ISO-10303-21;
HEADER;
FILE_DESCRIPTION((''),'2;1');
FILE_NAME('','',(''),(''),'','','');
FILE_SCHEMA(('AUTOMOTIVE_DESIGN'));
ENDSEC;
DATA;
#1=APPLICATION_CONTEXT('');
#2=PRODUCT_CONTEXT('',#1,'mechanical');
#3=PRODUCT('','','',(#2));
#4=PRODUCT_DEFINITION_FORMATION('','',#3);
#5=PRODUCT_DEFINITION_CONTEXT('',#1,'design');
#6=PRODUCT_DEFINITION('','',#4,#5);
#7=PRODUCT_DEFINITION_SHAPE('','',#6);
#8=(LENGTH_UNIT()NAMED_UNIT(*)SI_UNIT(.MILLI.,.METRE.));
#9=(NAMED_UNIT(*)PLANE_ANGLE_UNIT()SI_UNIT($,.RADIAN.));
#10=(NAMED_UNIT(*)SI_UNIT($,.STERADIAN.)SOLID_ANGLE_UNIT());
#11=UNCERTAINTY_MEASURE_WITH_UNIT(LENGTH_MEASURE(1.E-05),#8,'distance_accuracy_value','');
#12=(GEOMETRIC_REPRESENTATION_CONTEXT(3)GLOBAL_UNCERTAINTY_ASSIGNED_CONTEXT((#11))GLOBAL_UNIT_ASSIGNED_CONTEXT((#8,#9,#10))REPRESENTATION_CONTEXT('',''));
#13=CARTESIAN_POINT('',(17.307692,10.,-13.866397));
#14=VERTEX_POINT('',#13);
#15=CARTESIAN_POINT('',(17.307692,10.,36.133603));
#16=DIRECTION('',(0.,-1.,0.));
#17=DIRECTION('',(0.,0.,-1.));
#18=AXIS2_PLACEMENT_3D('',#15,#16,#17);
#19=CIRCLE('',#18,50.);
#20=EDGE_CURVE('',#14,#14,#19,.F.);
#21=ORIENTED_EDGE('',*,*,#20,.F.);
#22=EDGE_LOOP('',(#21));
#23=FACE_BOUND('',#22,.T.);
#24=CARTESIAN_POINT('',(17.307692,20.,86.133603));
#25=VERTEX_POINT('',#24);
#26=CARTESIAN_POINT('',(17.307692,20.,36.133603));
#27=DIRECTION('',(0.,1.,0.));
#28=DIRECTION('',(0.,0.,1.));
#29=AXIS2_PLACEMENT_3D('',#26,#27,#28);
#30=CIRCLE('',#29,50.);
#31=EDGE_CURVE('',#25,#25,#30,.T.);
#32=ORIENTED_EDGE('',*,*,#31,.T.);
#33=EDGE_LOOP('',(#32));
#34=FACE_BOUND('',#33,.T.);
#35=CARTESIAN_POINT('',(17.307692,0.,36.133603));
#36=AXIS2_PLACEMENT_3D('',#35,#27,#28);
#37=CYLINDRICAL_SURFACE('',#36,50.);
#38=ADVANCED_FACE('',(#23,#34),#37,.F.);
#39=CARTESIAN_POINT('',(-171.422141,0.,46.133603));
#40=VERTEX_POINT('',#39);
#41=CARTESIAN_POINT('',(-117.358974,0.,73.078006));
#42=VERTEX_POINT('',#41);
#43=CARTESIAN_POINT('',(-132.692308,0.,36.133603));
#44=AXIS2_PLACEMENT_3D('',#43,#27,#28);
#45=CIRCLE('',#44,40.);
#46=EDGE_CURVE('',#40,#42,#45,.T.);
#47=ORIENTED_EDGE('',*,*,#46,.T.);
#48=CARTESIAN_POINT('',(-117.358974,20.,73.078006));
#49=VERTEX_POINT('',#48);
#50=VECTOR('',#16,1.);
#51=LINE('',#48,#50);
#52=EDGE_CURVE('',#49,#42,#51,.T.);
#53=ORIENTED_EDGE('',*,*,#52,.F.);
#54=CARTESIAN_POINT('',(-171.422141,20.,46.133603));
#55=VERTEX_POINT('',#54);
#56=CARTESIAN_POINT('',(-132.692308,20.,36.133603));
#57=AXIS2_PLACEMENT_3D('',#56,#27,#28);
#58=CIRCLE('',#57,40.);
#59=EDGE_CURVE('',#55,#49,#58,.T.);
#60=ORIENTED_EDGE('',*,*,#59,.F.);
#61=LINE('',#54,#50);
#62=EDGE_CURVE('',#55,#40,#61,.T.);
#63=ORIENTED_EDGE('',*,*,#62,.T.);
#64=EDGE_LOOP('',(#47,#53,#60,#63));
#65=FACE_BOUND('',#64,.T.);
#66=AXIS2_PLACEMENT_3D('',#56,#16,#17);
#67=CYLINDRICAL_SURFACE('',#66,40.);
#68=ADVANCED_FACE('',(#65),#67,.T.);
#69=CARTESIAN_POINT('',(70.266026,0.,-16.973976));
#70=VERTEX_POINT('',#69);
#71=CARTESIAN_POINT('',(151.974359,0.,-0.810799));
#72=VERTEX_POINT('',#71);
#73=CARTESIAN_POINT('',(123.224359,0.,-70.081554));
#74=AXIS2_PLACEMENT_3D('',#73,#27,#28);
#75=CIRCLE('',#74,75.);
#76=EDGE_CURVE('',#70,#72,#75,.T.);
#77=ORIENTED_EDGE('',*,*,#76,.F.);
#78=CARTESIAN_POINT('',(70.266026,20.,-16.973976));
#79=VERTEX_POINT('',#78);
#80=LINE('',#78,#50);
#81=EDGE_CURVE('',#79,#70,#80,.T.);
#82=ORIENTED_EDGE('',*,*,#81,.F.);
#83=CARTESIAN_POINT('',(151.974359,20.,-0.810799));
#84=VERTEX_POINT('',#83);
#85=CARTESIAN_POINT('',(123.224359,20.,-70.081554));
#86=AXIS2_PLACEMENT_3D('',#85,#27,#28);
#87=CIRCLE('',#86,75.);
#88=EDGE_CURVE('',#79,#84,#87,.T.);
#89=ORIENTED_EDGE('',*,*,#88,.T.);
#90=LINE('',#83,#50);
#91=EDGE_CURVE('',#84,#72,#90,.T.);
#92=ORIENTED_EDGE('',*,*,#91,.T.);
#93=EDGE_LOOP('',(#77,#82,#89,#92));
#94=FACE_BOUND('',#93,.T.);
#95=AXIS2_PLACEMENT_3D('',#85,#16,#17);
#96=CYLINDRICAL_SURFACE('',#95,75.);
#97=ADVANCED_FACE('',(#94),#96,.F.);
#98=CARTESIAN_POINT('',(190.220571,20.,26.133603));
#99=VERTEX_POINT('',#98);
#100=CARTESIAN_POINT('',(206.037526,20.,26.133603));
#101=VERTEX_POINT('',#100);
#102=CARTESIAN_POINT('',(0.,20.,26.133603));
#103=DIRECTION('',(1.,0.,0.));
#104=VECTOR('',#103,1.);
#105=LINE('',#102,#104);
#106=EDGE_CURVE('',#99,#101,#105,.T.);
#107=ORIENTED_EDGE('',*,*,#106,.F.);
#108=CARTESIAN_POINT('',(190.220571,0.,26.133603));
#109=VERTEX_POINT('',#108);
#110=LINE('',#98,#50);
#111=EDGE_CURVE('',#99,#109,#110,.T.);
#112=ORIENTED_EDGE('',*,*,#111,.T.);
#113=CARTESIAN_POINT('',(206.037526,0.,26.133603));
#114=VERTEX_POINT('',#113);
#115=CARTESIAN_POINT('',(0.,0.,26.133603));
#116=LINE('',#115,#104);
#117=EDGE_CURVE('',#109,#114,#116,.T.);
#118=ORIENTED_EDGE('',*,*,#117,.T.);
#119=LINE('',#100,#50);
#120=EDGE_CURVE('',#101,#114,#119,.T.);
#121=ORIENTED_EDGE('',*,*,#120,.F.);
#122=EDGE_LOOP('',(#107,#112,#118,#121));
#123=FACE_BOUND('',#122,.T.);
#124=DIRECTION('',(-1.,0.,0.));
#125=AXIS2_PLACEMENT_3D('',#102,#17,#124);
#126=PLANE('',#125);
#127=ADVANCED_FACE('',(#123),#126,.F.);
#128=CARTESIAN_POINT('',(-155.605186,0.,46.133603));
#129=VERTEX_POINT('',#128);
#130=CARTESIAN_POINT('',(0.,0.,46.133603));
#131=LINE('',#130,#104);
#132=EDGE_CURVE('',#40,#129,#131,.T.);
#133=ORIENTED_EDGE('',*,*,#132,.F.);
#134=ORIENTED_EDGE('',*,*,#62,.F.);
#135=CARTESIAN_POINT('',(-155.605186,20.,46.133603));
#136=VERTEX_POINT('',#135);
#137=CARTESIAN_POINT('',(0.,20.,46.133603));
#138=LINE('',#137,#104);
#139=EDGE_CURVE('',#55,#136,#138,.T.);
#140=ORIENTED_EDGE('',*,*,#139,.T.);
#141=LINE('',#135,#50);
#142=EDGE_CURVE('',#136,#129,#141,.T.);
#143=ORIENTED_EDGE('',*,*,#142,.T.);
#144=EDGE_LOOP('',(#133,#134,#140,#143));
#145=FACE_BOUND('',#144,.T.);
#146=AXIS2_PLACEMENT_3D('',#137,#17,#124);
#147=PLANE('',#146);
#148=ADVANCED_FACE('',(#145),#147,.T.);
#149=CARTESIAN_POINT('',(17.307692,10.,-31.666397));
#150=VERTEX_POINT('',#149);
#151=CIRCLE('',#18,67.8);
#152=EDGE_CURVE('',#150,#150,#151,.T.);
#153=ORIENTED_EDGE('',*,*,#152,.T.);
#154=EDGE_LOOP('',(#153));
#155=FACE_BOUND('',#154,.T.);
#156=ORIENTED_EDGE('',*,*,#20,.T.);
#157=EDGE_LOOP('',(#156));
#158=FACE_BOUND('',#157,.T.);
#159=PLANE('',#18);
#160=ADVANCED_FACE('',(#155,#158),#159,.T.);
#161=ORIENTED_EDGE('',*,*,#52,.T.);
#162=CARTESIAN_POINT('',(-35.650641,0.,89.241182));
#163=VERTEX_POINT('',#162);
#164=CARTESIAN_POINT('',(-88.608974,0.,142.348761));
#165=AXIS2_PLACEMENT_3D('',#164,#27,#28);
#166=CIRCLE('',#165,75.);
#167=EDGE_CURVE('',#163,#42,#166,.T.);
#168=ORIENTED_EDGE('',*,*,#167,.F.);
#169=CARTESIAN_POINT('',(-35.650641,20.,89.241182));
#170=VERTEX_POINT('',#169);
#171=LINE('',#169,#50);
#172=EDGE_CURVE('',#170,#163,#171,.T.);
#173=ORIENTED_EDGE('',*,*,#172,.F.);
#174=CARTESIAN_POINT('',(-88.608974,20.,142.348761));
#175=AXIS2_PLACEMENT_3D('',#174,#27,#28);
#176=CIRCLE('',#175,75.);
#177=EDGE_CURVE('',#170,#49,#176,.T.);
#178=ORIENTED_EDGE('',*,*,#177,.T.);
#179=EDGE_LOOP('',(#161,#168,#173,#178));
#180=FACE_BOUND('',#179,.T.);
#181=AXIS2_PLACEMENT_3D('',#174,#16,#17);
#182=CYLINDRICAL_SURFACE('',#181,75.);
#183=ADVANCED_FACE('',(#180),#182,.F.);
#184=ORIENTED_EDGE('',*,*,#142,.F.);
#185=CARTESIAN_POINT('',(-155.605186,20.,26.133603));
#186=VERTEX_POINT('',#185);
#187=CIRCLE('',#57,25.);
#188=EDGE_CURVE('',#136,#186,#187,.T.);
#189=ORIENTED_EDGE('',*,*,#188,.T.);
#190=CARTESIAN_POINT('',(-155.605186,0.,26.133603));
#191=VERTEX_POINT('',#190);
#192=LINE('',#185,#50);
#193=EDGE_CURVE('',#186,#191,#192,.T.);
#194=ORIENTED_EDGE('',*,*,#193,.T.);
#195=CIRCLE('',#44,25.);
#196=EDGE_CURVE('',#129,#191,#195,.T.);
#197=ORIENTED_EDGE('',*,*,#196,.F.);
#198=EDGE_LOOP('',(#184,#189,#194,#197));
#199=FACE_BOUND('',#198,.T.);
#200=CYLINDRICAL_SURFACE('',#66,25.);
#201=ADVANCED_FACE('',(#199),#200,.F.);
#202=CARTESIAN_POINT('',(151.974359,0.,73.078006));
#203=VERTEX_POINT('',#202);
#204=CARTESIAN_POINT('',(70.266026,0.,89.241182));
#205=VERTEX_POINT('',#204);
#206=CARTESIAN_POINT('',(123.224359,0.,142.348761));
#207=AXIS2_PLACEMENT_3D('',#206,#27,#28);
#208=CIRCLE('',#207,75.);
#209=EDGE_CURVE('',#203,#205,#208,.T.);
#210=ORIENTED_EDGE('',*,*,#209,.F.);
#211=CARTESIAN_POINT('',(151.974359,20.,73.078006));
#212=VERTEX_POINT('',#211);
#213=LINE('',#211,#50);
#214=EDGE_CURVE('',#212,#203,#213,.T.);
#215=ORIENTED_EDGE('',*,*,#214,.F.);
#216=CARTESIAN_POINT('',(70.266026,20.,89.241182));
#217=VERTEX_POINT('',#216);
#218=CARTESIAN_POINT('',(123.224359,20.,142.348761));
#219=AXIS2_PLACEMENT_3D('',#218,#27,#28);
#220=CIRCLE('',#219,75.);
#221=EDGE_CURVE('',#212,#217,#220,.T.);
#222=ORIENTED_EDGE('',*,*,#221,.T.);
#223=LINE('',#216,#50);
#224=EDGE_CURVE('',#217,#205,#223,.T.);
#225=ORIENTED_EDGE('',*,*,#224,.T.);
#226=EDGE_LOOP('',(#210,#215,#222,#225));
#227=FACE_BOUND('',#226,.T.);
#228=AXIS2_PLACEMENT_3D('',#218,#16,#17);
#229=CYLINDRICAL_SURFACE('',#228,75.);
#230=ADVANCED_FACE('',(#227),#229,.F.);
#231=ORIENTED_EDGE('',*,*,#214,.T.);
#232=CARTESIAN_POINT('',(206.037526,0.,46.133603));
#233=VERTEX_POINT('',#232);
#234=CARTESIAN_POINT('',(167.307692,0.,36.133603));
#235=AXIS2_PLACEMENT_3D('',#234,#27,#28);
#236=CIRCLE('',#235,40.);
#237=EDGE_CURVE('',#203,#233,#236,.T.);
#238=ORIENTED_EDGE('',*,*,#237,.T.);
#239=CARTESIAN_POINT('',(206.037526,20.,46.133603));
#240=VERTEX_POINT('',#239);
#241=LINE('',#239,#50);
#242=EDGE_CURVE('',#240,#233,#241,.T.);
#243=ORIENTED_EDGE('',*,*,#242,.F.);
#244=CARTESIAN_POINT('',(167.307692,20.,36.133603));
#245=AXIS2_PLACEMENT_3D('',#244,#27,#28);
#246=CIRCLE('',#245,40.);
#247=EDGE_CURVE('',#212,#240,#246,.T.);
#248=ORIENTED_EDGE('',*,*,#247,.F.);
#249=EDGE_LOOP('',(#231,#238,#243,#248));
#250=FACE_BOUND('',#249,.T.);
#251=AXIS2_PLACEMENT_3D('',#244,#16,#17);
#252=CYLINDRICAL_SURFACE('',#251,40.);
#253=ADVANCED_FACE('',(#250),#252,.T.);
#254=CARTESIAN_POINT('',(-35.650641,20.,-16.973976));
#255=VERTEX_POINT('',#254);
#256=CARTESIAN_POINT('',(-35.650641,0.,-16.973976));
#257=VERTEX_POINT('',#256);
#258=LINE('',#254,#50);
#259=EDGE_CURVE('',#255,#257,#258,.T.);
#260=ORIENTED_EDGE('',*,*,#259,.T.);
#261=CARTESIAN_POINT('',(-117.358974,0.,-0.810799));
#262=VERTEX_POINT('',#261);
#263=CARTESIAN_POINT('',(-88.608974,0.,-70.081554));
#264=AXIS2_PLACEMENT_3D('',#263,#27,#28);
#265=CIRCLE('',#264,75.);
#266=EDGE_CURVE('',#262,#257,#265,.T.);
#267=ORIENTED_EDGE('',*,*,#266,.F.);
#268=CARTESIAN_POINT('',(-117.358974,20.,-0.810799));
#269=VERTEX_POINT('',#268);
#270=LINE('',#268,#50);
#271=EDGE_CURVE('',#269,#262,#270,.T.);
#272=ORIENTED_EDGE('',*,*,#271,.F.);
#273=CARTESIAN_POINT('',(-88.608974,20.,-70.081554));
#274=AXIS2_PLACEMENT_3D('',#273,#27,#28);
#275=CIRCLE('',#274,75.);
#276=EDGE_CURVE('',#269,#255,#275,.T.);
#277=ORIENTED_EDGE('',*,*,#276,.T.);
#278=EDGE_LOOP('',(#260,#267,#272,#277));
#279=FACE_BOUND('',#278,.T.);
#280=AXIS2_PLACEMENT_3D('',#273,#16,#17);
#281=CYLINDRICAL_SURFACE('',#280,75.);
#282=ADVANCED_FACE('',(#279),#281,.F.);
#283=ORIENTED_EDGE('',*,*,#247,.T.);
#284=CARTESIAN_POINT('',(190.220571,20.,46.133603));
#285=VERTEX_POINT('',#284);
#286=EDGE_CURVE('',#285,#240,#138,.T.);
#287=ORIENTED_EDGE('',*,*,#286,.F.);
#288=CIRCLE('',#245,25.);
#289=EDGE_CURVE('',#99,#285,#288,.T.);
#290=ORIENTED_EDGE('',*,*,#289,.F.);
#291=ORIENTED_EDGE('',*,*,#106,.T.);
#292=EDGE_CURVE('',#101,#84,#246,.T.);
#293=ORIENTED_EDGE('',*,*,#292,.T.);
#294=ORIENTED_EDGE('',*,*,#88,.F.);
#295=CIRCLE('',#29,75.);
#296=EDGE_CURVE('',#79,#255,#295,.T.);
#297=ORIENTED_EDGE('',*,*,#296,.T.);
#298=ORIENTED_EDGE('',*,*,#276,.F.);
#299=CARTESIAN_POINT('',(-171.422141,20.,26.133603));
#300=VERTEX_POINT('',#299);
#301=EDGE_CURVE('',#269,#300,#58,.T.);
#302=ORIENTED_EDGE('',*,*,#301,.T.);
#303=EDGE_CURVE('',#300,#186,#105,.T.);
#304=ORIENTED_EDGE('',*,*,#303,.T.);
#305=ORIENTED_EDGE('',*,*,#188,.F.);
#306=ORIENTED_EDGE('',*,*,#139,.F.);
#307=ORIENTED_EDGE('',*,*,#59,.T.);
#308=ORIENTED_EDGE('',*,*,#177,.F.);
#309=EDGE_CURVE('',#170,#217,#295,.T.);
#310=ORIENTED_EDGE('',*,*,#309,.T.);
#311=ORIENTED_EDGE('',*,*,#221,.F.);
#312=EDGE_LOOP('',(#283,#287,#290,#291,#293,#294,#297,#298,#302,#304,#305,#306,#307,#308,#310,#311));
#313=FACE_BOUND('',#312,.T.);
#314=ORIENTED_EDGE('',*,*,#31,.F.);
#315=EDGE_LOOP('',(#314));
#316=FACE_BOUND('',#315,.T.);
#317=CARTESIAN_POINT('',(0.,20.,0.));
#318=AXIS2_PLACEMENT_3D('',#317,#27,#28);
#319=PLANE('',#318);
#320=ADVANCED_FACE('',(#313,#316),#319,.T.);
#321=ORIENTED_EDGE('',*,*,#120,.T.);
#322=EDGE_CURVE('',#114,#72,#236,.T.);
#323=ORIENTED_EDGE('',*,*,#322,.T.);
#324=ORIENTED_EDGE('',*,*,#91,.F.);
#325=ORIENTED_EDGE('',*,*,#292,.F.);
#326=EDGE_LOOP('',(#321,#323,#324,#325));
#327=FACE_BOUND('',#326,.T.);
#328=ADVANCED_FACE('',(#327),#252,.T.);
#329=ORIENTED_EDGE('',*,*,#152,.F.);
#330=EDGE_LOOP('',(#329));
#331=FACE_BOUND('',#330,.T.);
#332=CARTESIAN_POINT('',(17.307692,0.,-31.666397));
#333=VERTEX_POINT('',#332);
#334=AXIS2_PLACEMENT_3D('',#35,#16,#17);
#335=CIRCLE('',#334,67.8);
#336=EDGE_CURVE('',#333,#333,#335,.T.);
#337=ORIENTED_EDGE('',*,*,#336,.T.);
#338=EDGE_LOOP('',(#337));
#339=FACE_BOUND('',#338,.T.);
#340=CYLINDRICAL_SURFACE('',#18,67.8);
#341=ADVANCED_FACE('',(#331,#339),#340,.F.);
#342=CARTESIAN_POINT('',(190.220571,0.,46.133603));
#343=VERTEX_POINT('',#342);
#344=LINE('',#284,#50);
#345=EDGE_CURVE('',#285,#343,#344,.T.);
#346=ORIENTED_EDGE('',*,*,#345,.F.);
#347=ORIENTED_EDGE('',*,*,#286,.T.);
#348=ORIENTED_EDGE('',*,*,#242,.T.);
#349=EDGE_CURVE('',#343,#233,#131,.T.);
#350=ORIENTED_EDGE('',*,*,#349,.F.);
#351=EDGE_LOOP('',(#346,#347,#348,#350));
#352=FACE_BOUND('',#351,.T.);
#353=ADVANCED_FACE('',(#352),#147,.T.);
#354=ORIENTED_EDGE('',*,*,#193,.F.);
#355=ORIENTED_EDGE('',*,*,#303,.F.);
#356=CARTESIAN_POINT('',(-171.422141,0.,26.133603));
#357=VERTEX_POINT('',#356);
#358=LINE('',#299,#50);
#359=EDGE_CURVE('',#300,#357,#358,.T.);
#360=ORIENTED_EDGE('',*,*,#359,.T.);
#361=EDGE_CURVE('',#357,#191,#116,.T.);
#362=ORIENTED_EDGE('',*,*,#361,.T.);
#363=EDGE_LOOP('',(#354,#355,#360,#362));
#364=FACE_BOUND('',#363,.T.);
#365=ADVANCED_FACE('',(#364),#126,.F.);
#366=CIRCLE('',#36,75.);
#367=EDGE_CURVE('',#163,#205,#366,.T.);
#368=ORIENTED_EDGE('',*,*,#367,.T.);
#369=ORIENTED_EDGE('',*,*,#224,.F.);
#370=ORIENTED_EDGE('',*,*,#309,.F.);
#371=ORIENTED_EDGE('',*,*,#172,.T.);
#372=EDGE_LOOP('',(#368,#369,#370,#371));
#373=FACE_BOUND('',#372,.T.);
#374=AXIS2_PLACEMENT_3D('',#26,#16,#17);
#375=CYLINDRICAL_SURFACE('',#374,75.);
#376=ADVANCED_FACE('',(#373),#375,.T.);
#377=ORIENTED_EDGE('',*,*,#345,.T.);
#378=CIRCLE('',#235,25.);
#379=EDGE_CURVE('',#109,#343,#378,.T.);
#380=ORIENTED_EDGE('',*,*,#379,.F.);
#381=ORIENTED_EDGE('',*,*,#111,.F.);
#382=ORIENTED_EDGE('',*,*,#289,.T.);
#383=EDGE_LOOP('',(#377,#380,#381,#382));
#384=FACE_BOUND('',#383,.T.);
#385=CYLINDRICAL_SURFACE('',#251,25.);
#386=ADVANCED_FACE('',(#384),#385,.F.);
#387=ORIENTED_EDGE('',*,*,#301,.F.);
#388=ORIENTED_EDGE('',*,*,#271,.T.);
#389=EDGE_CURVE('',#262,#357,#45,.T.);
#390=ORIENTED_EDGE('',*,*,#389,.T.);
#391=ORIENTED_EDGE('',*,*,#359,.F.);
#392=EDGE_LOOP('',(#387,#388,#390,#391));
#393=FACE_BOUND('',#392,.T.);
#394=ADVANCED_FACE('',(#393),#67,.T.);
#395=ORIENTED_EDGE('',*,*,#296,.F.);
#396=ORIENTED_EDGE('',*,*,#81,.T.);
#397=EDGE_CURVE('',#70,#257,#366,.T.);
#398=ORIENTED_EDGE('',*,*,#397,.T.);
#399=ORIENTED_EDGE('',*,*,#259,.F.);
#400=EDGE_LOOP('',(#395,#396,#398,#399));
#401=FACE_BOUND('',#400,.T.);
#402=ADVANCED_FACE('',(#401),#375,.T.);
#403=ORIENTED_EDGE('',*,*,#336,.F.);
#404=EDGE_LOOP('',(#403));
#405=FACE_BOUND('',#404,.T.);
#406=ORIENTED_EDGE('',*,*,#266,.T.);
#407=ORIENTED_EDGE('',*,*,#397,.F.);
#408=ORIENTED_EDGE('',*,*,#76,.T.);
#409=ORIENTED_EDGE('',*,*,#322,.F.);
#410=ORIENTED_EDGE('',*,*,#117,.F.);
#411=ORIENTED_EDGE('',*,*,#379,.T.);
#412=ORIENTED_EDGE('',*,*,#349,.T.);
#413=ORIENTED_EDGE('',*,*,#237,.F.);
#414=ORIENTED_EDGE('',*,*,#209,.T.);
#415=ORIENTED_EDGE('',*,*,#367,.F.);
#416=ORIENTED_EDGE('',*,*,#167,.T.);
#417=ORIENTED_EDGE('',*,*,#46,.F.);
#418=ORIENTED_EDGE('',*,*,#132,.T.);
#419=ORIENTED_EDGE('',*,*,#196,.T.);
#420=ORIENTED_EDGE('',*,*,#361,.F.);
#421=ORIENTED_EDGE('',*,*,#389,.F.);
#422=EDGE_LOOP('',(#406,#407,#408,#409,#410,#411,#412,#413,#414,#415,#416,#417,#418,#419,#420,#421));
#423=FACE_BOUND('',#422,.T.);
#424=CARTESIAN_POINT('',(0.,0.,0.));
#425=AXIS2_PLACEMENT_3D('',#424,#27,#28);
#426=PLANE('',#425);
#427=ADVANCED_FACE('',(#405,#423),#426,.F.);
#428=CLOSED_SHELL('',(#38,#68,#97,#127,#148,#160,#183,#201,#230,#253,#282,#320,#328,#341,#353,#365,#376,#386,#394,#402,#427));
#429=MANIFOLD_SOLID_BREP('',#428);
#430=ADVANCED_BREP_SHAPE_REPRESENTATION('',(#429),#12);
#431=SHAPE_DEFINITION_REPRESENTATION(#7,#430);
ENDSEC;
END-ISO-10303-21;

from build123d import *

# Parameters (mm, degrees)
BOSS_EXTRUDE1_DEPTH = 20
SKETCH2_R           = 50
CUT_EXTRUDE1_DEPTH  = 21
SKETCH3_R           = 67.8
CUT_EXTRUDE2_DEPTH  = 10


with BuildPart() as part:
    # Sketch1 → Boss-Extrude1 (new body)
    with BuildSketch(Plane(origin=(0, 0, 0), x_dir=(1, 0, 0), z_dir=(0, 1, 0))):
        with BuildLine():
            Line((-155.605186167, -46.133603239), (-171.422141154, -46.133603239))
            ThreePointArc((-171.422141154, -46.133603239), (-150.534652365, -71.933753191), (-117.358974359, -73.078005912))
            ThreePointArc((-117.358974359, -73.078005912), (-74.054836917, -68.774464575), (-35.650641026, -89.241182082))
            ThreePointArc((-35.650641026, -89.241182082), (17.307692308, -111.133603239), (70.266025641, -89.241182082))
            ThreePointArc((70.266025641, -89.241182082), (108.670221533, -68.774464575), (151.974358974, -73.078005912))
            ThreePointArc((151.974358974, -73.078005912), (185.150036981, -71.933753191), (206.03752577, -46.133603239))
            Line((206.03752577, -46.133603239), (190.220570782, -46.133603239))
            ThreePointArc((190.220570782, -46.133603239), (142.307692308, -36.133603239), (190.220570782, -26.133603239))
            Line((190.220570782, -26.133603239), (206.03752577, -26.133603239))
            ThreePointArc((206.03752577, -26.133603239), (185.150036981, -0.333453287), (151.974358974, 0.810799434))
            ThreePointArc((151.974358974, 0.810799434), (108.670221533, -3.492741903), (70.266025641, 16.973975604))
            ThreePointArc((70.266025641, 16.973975604), (17.307692308, 38.866396761), (-35.650641026, 16.973975604))
            ThreePointArc((-35.650641026, 16.973975604), (-74.054836917, -3.492741903), (-117.358974359, 0.810799434))
            ThreePointArc((-117.358974359, 0.810799434), (-150.534652365, -0.333453287), (-171.422141154, -26.133603239))
            Line((-171.422141154, -26.133603239), (-155.605186167, -26.133603239))
            ThreePointArc((-155.605186167, -26.133603239), (-107.692307692, -36.133603239), (-155.605186167, -46.133603239))
        make_face()
    extrude(amount=BOSS_EXTRUDE1_DEPTH)

    # Sketch2 → Cut-Extrude1 (cut, through all)
    with BuildSketch(Plane(origin=(0, 20, 0), x_dir=(1, 0, 0), z_dir=(0, 1, 0))):
        with Locations((17.307692308, -36.133603239)):
            Circle(SKETCH2_R)
    extrude(amount=-CUT_EXTRUDE1_DEPTH, mode=Mode.SUBTRACT)

    # Sketch3 → Cut-Extrude2 (cut)
    with BuildSketch(Plane.XZ):
        with Locations((17.307692308, 36.133603239)):
            Circle(SKETCH3_R)
    extrude(amount=-CUT_EXTRUDE2_DEPTH, mode=Mode.SUBTRACT)


solid = part.part
